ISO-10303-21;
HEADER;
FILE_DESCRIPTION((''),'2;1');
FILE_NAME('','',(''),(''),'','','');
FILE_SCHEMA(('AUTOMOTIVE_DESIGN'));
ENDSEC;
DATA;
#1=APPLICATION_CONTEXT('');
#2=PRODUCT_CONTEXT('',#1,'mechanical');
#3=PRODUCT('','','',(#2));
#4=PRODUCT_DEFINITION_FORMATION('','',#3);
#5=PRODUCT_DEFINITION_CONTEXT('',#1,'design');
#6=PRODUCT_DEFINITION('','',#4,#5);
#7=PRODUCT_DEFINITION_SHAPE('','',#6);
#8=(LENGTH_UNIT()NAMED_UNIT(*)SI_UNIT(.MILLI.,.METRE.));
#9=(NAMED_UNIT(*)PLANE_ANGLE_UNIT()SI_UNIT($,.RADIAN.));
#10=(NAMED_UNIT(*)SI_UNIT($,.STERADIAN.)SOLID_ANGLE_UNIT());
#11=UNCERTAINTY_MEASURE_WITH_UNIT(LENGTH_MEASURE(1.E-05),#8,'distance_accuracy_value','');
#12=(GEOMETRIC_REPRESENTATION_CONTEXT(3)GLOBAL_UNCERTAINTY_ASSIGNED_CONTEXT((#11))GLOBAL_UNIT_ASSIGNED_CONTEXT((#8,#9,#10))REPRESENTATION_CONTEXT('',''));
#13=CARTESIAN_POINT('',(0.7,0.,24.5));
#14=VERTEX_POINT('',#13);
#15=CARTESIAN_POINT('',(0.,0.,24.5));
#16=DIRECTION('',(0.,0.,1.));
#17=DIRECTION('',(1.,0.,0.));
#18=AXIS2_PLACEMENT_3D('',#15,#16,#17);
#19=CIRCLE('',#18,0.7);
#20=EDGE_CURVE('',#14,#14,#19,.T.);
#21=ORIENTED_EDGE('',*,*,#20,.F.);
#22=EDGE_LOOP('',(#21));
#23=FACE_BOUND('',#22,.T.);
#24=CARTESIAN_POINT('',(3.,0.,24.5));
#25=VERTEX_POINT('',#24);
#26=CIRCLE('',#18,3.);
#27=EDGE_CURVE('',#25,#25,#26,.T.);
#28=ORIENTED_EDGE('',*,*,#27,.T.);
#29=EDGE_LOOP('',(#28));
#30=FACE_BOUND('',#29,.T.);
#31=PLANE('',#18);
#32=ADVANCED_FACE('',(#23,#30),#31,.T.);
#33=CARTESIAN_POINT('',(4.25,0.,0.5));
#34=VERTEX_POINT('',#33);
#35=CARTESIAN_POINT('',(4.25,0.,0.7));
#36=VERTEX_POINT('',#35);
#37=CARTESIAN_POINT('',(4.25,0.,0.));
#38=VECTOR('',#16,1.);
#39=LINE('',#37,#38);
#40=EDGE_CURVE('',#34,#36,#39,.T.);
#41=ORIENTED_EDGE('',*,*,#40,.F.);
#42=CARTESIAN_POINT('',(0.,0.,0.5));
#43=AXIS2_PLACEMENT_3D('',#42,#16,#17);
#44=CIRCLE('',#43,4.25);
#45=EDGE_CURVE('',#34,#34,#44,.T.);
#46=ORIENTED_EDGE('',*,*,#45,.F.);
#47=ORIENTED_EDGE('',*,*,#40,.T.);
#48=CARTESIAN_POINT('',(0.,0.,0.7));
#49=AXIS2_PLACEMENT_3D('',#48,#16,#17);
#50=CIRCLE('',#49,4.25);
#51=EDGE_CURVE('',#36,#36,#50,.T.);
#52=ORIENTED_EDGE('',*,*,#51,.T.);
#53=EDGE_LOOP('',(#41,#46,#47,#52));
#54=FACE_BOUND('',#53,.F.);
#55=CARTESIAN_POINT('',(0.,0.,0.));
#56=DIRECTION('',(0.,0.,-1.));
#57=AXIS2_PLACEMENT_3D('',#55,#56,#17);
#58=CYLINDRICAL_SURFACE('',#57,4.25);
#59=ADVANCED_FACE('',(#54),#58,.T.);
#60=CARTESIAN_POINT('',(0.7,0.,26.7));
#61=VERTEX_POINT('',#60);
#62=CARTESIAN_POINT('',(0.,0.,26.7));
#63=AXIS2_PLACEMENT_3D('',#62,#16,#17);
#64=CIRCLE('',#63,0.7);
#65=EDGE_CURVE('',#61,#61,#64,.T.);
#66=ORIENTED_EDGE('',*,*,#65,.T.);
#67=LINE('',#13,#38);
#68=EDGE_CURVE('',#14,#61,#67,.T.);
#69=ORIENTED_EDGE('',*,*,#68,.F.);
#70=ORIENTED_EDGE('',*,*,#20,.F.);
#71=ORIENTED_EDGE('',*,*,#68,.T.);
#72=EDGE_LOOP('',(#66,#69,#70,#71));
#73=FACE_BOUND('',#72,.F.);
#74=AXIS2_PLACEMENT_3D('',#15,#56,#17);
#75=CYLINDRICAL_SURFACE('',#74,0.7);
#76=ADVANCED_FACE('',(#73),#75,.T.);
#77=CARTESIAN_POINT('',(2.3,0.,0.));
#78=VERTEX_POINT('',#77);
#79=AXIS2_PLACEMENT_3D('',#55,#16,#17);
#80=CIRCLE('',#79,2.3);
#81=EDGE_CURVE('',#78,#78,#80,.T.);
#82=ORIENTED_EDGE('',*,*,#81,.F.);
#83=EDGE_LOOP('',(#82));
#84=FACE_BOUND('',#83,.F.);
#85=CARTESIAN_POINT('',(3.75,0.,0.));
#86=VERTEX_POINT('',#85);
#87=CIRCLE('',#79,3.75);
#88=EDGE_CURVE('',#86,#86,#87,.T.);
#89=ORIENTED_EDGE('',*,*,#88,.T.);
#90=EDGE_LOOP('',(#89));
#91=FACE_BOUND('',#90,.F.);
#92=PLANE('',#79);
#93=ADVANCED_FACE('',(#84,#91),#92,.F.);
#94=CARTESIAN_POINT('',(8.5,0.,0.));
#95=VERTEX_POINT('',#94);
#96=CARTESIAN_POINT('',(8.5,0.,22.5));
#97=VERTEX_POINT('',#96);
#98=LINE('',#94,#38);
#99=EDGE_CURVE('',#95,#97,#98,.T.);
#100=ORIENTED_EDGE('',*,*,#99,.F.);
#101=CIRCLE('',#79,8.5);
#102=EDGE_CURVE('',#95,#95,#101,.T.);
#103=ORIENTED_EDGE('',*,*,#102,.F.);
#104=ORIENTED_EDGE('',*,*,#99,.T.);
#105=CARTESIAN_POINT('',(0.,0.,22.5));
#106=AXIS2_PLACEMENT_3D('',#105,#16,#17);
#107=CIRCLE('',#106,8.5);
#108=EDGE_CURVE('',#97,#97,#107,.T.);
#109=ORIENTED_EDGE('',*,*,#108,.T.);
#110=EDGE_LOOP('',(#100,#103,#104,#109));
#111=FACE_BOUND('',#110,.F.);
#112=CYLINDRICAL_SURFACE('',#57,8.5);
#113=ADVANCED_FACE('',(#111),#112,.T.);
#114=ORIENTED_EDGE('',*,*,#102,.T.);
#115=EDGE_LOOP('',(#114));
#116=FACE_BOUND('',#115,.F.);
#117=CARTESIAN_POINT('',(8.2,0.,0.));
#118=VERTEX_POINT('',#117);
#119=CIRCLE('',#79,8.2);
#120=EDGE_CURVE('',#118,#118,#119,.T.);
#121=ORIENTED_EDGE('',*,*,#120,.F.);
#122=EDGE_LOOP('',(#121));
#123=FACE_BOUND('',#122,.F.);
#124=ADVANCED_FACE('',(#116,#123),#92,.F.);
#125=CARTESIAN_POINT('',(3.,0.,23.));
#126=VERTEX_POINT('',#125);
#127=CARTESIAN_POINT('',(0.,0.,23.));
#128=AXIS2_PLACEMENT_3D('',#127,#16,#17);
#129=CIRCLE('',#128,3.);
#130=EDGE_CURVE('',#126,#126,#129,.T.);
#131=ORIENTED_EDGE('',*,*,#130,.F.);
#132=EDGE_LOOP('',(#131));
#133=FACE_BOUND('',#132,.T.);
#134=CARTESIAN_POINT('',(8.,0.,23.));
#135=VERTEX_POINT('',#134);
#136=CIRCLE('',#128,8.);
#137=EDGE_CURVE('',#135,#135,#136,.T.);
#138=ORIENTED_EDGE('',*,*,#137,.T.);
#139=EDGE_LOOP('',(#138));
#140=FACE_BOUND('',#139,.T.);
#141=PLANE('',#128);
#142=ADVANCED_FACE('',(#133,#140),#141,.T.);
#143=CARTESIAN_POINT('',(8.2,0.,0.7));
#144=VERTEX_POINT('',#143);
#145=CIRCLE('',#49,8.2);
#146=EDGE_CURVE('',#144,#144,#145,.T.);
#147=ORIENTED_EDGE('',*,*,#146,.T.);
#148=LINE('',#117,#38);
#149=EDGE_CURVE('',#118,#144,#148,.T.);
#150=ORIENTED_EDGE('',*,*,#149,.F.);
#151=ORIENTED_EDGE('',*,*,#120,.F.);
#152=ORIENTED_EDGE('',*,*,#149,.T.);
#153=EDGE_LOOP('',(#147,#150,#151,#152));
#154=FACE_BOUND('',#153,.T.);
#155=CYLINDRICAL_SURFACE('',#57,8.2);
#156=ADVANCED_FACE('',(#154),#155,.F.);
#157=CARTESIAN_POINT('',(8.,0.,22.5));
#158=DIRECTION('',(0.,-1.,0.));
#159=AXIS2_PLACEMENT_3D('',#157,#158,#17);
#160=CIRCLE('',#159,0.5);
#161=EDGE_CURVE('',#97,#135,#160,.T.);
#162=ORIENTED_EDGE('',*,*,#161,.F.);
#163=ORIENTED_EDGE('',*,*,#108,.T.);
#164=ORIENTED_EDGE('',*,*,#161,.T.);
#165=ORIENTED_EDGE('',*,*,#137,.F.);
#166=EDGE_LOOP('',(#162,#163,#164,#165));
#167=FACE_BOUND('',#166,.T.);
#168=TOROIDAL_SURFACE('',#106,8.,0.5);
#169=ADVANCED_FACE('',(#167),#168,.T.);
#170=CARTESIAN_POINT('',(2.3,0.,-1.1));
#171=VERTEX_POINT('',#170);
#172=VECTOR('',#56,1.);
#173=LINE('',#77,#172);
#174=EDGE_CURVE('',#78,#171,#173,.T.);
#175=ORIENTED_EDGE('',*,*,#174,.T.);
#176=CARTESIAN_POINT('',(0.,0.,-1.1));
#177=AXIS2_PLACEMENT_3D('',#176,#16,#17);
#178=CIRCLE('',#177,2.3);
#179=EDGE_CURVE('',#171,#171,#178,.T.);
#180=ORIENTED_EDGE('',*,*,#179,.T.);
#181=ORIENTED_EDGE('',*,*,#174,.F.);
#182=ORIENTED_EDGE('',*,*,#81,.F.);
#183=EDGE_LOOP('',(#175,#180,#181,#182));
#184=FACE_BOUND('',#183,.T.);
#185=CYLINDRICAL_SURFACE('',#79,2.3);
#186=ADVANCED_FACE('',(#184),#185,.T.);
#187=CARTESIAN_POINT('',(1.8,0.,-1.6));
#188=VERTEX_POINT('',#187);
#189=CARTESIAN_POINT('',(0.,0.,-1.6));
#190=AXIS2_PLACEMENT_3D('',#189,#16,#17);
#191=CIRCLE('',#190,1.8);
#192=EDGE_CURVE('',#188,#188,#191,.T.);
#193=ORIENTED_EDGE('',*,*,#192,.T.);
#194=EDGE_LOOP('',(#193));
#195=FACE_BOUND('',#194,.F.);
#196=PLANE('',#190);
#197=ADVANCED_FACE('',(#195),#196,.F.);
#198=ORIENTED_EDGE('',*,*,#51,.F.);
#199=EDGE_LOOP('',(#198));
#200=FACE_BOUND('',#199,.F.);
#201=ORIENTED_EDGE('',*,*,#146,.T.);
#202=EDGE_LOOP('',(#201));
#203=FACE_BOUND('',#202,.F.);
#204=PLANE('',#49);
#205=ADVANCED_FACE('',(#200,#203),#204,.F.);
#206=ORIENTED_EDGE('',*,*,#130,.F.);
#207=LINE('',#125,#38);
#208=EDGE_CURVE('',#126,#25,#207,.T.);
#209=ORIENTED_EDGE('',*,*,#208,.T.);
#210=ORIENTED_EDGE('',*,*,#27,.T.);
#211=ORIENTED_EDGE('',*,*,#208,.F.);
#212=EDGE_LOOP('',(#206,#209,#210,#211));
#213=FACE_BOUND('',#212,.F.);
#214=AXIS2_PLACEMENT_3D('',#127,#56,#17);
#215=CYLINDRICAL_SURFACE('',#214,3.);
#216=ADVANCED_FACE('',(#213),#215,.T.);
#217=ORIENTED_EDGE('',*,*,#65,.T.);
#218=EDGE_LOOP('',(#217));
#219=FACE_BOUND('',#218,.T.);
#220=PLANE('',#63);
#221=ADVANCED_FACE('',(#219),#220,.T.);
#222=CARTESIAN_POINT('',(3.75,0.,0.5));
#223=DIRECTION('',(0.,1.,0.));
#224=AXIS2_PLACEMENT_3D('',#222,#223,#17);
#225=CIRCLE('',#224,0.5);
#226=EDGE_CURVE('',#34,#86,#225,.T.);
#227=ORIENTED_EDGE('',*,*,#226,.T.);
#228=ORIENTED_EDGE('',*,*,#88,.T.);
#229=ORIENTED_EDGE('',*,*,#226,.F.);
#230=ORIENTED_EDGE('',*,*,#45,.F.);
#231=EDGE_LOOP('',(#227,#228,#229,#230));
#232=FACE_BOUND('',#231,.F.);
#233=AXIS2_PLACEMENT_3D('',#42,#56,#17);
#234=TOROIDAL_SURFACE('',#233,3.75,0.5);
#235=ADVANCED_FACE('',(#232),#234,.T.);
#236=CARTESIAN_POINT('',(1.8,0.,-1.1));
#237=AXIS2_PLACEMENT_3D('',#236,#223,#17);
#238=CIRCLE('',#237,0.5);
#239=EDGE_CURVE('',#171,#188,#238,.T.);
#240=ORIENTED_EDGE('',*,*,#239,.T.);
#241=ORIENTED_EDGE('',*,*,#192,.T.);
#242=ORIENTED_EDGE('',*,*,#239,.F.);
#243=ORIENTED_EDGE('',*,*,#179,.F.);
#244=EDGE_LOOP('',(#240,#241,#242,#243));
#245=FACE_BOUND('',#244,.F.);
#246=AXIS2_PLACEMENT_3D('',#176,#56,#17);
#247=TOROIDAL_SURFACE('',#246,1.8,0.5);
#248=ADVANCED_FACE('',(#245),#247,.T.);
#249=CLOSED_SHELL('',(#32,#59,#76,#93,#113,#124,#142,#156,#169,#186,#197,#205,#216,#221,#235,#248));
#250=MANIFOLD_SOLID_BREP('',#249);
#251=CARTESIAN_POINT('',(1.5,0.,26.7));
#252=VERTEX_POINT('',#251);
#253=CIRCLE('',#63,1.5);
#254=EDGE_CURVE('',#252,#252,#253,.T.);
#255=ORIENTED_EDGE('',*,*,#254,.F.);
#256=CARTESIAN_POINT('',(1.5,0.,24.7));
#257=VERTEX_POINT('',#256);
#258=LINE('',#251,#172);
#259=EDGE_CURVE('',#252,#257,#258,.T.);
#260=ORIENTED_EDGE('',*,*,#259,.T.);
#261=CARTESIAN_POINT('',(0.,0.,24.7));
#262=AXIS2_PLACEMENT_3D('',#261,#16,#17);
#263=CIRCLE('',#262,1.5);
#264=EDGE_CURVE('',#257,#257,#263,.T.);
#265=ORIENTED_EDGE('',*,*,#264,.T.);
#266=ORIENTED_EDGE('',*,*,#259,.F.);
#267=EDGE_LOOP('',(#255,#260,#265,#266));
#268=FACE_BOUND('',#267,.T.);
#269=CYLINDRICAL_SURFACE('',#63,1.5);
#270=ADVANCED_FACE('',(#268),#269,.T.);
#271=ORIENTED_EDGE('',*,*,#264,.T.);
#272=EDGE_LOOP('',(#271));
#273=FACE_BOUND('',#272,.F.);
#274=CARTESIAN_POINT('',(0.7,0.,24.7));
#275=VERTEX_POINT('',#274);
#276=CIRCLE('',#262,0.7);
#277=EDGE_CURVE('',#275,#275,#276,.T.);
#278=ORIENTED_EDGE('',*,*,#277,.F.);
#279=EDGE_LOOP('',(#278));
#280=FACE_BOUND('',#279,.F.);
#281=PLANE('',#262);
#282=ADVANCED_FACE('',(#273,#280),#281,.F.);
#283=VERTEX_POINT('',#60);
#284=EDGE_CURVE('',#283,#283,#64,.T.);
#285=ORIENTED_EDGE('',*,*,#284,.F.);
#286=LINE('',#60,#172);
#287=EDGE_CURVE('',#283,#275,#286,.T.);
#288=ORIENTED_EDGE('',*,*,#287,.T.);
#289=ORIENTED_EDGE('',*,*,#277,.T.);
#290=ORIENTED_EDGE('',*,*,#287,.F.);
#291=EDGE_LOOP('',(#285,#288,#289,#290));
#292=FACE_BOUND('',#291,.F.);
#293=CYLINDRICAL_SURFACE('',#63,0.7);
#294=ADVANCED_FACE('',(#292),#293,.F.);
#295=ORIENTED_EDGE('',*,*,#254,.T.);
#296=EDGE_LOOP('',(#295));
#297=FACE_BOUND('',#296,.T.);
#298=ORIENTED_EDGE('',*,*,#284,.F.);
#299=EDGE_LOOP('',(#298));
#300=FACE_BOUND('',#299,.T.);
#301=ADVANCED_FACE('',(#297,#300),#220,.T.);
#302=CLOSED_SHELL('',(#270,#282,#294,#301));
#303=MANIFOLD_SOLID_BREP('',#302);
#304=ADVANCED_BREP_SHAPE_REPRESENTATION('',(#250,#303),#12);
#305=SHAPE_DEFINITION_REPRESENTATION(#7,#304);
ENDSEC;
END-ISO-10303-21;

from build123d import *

# Parameters (mm, degrees)
F0_R      = 8.5
F0_R_2    = 8.2
F1_DEPTH  = 23
F2_DEPTH  = 0.7
F3_R      = 4.25
F4_DEPTH  = 0.7
F5_R      = 2.3
F6_DEPTH  = 1.6
F7_R      = 0.5
F8_R      = 3
F9_DEPTH  = 1.5
F10_R     = 0.7
F11_DEPTH = 2.2
F12_R     = 1.5
F12_R_2   = 0.7
F13_DEPTH = 2


with BuildPart() as f1:
    # F0 (on Top) → F1 (new body)
    with BuildSketch(Plane.XY):
        Circle(F0_R)
        Circle(F0_R_2, mode=Mode.SUBTRACT)
        Circle(F0_R_2)
    extrude(amount=F1_DEPTH)

    # F0 (on Top) → F2 (cut)
    with BuildSketch(Plane.XY):
        Circle(F0_R_2)
    extrude(amount=F2_DEPTH, mode=Mode.SUBTRACT)

    # F3 (on face) → F4 (join)
    with BuildSketch(Plane.XY):
        Circle(F3_R)
    extrude(amount=F4_DEPTH)

    # F5 (on face) → F6 (join)
    with BuildSketch(Plane.XY):
        Circle(F5_R)
    extrude(amount=-F6_DEPTH)

    # F7
    f7_edges = [f1.edges().sort_by_distance(p)[0] for p in [
        (-4.25, 0, 0),
        (-2.3, 0, -1.6),
        (-8.5, 0, 23),
    ]]
    fillet(f7_edges, radius=F7_R)

    # F8 (on face) → F9 (join)
    with BuildSketch(Plane.XY.offset(23)):
        Circle(F8_R)
    extrude(amount=F9_DEPTH)

    # F10 (on face) → F11 (join)
    with BuildSketch(Plane.XY.offset(24.5)):
        Circle(F10_R)
    extrude(amount=F11_DEPTH)


with BuildPart() as f13:
    # F12 (on face) → F13 (new body)
    with BuildSketch(Plane.XY.offset(26.7)):
        Circle(F12_R)
        Circle(F12_R_2, mode=Mode.SUBTRACT)
    extrude(amount=-F13_DEPTH)


solid = Compound([f1.part, f13.part])
